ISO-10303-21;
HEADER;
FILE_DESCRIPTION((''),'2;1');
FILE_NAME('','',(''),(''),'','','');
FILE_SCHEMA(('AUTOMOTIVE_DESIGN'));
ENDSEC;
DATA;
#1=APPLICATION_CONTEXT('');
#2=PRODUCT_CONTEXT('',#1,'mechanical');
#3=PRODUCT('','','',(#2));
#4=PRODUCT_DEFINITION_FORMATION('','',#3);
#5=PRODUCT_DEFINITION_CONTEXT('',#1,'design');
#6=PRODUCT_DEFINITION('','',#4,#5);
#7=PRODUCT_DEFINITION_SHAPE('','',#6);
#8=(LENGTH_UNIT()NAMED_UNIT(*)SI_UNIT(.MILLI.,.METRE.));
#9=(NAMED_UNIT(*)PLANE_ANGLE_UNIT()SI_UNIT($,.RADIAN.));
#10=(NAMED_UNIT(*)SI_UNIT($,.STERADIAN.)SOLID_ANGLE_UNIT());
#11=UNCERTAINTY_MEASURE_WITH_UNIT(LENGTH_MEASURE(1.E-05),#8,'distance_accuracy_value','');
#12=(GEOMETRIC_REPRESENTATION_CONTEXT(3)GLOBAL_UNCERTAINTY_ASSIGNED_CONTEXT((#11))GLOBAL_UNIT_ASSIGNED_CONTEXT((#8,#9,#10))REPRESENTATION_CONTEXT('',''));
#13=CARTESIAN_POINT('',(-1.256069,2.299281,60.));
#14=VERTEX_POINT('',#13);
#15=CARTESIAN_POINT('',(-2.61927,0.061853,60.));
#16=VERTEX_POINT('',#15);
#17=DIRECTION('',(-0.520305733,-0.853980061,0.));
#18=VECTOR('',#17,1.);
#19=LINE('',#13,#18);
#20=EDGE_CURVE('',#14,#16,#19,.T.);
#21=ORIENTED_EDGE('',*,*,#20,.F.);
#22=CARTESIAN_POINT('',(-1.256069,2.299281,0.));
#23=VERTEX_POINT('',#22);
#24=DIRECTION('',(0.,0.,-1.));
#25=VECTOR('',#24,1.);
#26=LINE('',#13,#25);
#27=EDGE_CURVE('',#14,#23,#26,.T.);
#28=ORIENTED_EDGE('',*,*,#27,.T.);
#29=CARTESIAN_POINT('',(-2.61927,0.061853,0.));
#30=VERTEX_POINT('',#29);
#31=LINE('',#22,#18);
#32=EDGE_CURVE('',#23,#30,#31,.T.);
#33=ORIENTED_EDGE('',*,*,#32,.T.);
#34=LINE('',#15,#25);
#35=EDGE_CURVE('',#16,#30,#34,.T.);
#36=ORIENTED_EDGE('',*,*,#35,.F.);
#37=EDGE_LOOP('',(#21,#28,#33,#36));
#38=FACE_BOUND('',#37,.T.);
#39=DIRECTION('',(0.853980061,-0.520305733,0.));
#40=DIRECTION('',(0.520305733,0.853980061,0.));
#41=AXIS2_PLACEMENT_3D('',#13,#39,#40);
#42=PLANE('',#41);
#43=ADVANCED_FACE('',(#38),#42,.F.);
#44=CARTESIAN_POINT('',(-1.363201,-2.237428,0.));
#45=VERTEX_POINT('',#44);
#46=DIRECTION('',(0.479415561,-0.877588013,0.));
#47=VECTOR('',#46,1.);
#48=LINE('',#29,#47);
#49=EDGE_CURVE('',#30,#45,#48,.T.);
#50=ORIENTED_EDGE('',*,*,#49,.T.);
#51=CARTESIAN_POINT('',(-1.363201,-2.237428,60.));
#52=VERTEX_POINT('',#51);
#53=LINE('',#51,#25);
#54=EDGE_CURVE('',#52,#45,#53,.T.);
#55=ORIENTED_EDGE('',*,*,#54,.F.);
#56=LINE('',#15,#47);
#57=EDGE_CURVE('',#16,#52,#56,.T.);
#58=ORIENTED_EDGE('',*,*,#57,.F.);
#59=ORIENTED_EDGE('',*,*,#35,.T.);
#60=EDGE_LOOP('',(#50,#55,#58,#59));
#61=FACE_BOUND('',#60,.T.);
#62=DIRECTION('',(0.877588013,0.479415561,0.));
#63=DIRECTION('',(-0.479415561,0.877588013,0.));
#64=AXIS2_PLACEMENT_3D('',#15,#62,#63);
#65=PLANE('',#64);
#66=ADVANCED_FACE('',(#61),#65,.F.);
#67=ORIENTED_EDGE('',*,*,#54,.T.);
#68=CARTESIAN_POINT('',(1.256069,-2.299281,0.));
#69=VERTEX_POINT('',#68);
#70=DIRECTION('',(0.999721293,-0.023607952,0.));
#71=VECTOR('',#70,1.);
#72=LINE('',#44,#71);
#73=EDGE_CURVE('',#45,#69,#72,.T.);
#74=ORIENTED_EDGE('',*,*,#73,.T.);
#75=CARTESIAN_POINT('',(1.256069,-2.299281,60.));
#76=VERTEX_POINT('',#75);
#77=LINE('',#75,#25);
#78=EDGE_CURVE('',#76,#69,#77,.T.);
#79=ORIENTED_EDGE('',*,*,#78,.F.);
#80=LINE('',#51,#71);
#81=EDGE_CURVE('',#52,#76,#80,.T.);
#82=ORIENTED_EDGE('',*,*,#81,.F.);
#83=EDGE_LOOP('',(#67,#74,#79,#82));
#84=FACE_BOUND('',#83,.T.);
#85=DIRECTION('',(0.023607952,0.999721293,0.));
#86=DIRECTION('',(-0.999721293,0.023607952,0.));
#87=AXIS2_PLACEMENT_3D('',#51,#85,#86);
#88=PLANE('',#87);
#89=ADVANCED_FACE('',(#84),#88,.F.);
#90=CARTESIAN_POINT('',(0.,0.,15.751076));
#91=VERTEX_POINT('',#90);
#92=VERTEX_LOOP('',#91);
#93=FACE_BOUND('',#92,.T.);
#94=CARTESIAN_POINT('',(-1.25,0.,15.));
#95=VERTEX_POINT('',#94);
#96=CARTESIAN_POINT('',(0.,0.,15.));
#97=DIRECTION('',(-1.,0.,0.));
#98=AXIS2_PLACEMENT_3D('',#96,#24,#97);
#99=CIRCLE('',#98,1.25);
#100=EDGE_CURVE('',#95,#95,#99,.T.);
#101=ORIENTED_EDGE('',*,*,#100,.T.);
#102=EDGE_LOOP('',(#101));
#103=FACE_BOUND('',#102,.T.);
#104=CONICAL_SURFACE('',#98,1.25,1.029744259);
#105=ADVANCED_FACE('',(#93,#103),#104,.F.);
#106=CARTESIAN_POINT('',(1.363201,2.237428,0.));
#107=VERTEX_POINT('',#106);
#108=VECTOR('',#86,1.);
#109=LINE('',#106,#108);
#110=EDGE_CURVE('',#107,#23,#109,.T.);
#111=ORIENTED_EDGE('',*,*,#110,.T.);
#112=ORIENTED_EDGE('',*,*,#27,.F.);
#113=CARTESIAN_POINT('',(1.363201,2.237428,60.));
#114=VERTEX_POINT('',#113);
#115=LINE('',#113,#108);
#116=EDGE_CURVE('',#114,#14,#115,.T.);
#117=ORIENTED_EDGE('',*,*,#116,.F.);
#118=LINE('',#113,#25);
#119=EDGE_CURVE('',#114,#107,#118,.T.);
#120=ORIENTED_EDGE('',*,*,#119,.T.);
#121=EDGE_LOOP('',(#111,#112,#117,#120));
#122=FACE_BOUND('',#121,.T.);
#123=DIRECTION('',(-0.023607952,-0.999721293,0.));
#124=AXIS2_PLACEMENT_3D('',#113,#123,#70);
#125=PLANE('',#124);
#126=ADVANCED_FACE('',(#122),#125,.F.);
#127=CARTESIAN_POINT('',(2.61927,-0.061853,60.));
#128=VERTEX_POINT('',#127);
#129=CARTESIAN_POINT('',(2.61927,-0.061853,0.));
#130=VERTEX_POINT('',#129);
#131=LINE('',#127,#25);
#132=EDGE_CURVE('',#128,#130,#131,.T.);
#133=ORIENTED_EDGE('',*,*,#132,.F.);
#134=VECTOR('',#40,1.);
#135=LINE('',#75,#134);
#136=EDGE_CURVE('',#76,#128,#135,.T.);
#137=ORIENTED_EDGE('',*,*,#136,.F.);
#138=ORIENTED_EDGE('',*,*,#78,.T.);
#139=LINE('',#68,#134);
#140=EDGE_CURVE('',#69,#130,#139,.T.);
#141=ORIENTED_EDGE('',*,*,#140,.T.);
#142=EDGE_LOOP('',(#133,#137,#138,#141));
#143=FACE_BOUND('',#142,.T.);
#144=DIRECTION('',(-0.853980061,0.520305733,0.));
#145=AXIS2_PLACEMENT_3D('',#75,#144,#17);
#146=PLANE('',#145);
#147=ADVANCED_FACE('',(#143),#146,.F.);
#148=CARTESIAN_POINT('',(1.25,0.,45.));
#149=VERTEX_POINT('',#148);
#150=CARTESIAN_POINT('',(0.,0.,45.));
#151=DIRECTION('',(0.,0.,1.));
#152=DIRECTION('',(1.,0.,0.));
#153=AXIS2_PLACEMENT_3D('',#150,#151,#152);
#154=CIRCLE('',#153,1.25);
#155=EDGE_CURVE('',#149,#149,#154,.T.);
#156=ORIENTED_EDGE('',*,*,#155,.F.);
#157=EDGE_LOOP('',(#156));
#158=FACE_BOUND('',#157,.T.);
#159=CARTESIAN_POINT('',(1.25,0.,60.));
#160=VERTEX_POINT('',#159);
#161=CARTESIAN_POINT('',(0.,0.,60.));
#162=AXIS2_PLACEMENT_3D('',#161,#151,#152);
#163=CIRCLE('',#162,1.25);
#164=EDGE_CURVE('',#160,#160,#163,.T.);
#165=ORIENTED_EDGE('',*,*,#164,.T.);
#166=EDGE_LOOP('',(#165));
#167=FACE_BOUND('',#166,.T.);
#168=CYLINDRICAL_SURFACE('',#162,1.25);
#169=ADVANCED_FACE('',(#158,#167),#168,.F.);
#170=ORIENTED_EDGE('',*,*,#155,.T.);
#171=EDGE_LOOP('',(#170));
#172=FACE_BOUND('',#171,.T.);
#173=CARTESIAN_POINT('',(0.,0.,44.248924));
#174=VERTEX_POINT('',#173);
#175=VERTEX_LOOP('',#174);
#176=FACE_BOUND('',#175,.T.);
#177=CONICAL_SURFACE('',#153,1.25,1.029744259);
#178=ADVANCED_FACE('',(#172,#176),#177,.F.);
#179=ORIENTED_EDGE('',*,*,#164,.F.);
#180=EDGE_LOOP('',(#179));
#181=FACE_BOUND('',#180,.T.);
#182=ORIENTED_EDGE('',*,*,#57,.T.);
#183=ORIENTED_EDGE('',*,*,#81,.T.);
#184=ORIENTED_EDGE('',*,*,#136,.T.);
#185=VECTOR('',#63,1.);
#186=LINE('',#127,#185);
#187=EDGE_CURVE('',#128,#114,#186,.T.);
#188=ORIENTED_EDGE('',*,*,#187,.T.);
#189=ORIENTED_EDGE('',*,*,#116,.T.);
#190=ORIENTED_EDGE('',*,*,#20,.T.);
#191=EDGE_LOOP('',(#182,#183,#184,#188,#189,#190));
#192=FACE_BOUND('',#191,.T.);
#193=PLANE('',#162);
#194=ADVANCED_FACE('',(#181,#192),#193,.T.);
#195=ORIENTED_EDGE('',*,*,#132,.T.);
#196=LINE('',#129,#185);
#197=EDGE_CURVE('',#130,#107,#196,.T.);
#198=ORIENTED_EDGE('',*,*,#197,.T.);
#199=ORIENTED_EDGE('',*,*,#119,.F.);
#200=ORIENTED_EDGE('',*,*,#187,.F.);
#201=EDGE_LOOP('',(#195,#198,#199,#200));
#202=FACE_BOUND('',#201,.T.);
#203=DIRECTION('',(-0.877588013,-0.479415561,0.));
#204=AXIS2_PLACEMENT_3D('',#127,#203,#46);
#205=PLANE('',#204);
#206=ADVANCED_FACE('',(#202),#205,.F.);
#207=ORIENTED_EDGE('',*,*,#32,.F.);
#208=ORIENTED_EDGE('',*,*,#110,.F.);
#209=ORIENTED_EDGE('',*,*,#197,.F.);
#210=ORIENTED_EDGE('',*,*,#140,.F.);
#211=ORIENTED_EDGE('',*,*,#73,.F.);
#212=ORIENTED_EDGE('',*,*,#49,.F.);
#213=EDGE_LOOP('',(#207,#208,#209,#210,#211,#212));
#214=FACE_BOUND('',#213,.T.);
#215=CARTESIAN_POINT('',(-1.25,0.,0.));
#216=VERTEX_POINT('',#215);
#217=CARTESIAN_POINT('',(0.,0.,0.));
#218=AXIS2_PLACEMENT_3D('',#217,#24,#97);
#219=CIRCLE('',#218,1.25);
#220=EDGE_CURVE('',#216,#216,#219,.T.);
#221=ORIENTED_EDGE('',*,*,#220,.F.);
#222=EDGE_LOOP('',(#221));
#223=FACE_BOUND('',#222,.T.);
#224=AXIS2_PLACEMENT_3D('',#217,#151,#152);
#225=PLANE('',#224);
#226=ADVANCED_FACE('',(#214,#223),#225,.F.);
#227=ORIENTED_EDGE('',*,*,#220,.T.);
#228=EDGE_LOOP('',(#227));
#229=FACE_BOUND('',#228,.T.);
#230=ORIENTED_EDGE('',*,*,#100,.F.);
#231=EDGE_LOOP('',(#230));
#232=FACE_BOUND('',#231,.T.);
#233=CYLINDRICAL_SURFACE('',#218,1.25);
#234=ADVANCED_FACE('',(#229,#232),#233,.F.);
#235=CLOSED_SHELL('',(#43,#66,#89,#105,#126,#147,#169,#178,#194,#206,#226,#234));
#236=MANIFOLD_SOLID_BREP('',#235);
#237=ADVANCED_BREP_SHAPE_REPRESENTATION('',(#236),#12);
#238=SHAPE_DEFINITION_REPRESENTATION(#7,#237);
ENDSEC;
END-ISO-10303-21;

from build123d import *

# Parameters (mm, degrees)
EXTRUDE_1_DEPTH        = 60
HOLE_WIZARD_M3_1_D     = 2.5
HOLE_WIZARD_M3_1_DEPTH = 15
HOLE_WIZARD_M3_1_TIP   = 0.751075774
HOLE_WIZARD_M3_2_D     = 2.5
HOLE_WIZARD_M3_2_DEPTH = 15
HOLE_WIZARD_M3_2_TIP   = 0.751075774


with BuildPart() as part:
    # 草图1 → 凸台-拉伸1 (new body)
    with BuildSketch(Plane.XY):
        Polygon((1.363201019, 2.23742776), (-1.25606877, 2.299280593), (-2.619269789, 0.061852833), (-1.363201019, -2.23742776), (1.25606877, -2.299280593), (2.619269789, -0.061852833), align=None)
    extrude(amount=EXTRUDE_1_DEPTH)

    # M3 螺纹孔1
    with Locations(Plane.XY.offset(60)):
        with Locations((0, 0)):
            Hole(HOLE_WIZARD_M3_1_D / 2, depth=HOLE_WIZARD_M3_1_DEPTH)
            with Locations((0, 0, -(HOLE_WIZARD_M3_1_DEPTH + HOLE_WIZARD_M3_1_TIP / 2))):  # 118° drill point
                Cone(0, HOLE_WIZARD_M3_1_D / 2, HOLE_WIZARD_M3_1_TIP, mode=Mode.SUBTRACT)

    # M3 螺纹孔2
    with Locations(Plane(origin=(0, 0, 0), x_dir=(-1, 0, 0), z_dir=(0, 0, -1))):
        with Locations((0, 0)):
            Hole(HOLE_WIZARD_M3_2_D / 2, depth=HOLE_WIZARD_M3_2_DEPTH)
            with Locations((0, 0, -(HOLE_WIZARD_M3_2_DEPTH + HOLE_WIZARD_M3_2_TIP / 2))):  # 118° drill point
                Cone(0, HOLE_WIZARD_M3_2_D / 2, HOLE_WIZARD_M3_2_TIP, mode=Mode.SUBTRACT)


solid = part.part
